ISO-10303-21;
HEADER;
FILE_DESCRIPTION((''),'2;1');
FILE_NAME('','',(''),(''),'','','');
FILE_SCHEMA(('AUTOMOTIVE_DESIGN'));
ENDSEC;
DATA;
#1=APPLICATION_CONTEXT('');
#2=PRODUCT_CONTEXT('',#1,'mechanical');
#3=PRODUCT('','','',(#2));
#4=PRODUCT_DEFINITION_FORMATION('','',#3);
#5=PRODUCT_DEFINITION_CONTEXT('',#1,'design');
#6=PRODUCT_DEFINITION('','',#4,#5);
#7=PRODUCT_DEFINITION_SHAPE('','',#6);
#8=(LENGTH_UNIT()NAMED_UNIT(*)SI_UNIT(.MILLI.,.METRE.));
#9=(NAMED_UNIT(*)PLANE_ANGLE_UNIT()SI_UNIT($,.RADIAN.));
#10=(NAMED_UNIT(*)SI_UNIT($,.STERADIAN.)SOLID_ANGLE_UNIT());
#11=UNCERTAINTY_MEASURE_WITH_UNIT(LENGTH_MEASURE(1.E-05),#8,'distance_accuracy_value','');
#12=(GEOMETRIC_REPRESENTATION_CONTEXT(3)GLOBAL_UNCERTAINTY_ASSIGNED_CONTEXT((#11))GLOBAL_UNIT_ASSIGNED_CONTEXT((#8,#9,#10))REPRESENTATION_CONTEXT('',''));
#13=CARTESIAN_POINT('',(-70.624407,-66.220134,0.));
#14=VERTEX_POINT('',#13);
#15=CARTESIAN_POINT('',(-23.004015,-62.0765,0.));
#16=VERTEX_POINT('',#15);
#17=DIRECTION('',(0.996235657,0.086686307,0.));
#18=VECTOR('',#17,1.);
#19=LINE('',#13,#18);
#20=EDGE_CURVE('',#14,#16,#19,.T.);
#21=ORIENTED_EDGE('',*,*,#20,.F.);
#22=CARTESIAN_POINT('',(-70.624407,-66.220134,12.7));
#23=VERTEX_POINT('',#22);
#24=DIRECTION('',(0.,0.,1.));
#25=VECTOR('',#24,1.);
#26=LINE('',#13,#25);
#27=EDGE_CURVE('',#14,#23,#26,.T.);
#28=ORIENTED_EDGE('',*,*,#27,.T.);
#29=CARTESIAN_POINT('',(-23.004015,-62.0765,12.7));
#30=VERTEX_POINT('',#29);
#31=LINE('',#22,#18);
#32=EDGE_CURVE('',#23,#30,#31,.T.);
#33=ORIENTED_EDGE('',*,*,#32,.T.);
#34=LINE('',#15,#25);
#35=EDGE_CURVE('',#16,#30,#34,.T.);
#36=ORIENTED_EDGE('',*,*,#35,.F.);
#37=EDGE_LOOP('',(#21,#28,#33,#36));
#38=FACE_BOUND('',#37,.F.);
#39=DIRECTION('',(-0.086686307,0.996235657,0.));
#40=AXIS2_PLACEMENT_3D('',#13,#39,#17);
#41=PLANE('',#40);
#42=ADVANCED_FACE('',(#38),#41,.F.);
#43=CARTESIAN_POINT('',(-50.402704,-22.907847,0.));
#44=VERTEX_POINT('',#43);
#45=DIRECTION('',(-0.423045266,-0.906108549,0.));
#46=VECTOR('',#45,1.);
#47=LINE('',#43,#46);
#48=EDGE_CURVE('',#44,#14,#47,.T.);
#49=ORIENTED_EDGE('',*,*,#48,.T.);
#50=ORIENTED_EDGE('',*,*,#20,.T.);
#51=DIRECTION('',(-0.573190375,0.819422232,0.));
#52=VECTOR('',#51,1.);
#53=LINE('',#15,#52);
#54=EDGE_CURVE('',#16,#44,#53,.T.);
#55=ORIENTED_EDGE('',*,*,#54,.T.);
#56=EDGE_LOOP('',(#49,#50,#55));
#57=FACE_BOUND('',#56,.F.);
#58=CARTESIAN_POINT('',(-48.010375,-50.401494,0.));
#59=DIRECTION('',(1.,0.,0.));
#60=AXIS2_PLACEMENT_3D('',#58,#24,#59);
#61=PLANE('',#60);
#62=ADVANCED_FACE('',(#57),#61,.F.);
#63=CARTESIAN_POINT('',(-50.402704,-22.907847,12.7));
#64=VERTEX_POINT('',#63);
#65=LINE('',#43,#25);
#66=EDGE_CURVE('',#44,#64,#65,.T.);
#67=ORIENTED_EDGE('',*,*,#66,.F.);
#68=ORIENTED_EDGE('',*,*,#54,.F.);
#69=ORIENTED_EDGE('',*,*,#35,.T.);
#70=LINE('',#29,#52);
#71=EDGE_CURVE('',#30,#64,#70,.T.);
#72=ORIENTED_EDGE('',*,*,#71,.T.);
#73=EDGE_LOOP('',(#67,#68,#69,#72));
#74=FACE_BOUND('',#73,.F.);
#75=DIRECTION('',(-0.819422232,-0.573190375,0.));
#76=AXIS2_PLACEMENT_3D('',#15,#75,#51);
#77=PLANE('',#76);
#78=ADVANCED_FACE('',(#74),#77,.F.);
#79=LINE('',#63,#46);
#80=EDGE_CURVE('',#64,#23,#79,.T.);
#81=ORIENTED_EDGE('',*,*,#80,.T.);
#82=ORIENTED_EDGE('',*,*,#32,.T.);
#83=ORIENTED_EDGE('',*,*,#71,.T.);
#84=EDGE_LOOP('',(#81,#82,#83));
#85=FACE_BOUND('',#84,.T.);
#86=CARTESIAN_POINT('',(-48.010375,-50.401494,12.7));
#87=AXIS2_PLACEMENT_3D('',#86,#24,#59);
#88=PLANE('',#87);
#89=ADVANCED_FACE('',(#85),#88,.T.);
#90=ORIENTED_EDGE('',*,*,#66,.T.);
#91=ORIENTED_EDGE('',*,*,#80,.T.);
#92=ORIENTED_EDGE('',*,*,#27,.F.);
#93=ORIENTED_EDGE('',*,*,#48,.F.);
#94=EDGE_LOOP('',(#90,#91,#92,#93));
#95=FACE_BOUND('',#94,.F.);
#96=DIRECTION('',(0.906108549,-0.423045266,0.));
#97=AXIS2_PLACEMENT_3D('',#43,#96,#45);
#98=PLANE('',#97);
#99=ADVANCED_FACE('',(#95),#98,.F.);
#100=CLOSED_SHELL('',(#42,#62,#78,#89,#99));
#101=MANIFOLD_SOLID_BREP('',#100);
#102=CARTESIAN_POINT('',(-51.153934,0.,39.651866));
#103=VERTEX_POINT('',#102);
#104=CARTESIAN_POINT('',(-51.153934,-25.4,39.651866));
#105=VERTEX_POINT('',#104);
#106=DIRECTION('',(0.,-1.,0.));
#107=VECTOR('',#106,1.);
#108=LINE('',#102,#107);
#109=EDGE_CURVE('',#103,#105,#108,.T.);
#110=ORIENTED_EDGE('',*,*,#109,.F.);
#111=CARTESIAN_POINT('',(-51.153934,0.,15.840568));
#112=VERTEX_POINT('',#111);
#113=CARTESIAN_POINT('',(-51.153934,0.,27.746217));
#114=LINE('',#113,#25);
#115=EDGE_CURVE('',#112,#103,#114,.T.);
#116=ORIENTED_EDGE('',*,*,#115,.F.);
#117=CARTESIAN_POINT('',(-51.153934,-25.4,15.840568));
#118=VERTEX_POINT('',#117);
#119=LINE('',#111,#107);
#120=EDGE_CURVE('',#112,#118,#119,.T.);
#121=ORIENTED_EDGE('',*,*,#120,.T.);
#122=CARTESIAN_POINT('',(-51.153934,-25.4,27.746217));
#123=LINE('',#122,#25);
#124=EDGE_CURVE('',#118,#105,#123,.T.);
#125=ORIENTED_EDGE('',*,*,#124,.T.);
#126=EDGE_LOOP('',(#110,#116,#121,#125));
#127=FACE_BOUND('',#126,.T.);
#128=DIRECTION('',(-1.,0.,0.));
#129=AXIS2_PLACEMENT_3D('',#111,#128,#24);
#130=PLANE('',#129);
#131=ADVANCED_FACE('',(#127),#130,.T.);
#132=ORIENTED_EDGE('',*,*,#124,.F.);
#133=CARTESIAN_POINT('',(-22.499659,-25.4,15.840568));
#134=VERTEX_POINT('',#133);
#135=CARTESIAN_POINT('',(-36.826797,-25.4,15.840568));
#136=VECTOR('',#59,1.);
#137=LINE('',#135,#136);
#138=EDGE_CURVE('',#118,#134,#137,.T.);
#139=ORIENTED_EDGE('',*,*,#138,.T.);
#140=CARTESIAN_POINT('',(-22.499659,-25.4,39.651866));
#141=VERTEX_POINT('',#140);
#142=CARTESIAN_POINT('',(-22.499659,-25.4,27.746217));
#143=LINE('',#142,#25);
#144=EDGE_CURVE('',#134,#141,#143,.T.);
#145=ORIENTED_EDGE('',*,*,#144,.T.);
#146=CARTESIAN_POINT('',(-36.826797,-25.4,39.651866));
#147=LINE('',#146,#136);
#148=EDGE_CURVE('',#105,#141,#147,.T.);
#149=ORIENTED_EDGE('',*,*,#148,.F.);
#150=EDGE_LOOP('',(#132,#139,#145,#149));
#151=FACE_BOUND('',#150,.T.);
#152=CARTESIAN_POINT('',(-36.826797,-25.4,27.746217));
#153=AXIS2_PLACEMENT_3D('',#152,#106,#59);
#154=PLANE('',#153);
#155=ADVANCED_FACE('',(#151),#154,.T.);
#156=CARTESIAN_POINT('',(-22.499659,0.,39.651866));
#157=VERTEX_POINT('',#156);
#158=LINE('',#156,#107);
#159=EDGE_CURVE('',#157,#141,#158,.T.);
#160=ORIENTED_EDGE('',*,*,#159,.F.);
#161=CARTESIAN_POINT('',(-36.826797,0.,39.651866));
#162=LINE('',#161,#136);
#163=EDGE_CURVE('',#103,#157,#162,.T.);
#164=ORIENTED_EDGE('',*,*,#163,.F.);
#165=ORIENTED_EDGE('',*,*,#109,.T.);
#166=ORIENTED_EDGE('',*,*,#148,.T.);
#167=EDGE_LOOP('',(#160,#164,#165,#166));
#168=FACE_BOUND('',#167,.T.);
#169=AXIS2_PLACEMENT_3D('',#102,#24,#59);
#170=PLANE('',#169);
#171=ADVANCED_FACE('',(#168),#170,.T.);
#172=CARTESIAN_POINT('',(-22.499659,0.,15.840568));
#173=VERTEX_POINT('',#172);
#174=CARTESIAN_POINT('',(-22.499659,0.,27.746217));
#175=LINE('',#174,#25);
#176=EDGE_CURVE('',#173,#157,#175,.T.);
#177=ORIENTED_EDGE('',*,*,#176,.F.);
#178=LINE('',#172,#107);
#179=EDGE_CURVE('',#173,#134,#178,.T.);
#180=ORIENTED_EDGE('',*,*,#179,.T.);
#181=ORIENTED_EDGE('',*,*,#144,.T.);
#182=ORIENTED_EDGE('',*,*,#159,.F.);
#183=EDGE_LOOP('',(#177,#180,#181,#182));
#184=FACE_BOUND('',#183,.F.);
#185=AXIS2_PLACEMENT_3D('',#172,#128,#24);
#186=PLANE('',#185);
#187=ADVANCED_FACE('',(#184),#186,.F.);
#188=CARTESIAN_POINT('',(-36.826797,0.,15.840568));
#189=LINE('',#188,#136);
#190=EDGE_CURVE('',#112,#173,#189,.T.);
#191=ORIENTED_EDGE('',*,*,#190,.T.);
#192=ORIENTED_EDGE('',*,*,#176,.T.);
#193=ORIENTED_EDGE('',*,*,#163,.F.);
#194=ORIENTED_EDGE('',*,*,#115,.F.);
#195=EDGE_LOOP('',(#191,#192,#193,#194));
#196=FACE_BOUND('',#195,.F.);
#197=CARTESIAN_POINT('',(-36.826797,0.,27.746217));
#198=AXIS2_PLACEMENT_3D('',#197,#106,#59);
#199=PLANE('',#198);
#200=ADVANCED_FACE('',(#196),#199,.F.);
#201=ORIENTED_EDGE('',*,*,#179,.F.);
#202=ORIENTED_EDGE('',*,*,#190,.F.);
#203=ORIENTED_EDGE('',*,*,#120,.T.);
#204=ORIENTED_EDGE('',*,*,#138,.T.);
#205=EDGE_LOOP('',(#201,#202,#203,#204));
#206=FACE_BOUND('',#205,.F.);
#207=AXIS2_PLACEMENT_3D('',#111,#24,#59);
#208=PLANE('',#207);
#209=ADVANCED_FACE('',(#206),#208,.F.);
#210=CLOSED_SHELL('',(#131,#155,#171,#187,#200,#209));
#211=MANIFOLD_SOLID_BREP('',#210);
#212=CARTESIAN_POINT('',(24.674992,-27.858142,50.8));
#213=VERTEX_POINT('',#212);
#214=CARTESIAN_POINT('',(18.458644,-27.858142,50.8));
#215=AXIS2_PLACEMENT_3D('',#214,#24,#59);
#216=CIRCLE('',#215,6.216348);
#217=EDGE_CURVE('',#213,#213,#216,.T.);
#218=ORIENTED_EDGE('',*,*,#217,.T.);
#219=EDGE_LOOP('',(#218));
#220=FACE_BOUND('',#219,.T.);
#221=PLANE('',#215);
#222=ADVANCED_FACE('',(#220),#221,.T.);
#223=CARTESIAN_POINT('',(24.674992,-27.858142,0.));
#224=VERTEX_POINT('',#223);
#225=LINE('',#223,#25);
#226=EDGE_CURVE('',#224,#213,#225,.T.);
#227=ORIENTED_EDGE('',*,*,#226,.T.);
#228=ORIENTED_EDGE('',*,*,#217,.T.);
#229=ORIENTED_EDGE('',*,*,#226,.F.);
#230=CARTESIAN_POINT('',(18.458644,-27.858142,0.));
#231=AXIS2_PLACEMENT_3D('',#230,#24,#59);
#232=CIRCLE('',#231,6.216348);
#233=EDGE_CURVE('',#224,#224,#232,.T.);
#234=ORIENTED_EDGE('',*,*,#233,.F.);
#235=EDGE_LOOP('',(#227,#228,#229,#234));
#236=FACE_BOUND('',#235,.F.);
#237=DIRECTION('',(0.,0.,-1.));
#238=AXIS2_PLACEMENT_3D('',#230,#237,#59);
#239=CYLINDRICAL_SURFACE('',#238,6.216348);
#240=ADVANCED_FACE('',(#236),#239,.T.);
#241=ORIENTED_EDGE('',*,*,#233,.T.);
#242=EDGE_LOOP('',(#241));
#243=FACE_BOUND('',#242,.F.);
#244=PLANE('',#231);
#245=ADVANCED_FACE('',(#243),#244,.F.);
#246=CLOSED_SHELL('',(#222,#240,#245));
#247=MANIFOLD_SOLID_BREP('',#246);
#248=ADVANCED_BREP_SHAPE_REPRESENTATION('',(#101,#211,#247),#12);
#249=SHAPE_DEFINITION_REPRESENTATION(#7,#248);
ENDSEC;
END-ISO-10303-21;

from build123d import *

# Parameters (mm, degrees)
F1_R     = 6.216348
F2_DEPTH = 50.8
F0_W     = 28.654275
F0_H     = 23.811299
F3_DEPTH = 25.4
F5_DEPTH = 12.7


with BuildPart() as f2:
    # F1 (on Top) → F2 (new body)
    with BuildSketch(Plane.XY):
        with Locations((18.458644, -27.858142)):
            Circle(F1_R)
    extrude(amount=F2_DEPTH)


with BuildPart() as f3:
    # F0 (on Front) → F3 (new body)
    with BuildSketch(Plane.XZ):
        with Locations((-36.826797, 27.746217)):
            Rectangle(F0_W, F0_H)
    extrude(amount=F3_DEPTH)


with BuildPart() as f5:
    # F4 (on Top) → F5 (new body)
    with BuildSketch(Plane.XY):
        Polygon((-23.004015, -62.0765), (-50.402704, -22.907847), (-70.624407, -66.220134), align=None)
    extrude(amount=F5_DEPTH)


solid = Compound([f2.part, f3.part, f5.part])
